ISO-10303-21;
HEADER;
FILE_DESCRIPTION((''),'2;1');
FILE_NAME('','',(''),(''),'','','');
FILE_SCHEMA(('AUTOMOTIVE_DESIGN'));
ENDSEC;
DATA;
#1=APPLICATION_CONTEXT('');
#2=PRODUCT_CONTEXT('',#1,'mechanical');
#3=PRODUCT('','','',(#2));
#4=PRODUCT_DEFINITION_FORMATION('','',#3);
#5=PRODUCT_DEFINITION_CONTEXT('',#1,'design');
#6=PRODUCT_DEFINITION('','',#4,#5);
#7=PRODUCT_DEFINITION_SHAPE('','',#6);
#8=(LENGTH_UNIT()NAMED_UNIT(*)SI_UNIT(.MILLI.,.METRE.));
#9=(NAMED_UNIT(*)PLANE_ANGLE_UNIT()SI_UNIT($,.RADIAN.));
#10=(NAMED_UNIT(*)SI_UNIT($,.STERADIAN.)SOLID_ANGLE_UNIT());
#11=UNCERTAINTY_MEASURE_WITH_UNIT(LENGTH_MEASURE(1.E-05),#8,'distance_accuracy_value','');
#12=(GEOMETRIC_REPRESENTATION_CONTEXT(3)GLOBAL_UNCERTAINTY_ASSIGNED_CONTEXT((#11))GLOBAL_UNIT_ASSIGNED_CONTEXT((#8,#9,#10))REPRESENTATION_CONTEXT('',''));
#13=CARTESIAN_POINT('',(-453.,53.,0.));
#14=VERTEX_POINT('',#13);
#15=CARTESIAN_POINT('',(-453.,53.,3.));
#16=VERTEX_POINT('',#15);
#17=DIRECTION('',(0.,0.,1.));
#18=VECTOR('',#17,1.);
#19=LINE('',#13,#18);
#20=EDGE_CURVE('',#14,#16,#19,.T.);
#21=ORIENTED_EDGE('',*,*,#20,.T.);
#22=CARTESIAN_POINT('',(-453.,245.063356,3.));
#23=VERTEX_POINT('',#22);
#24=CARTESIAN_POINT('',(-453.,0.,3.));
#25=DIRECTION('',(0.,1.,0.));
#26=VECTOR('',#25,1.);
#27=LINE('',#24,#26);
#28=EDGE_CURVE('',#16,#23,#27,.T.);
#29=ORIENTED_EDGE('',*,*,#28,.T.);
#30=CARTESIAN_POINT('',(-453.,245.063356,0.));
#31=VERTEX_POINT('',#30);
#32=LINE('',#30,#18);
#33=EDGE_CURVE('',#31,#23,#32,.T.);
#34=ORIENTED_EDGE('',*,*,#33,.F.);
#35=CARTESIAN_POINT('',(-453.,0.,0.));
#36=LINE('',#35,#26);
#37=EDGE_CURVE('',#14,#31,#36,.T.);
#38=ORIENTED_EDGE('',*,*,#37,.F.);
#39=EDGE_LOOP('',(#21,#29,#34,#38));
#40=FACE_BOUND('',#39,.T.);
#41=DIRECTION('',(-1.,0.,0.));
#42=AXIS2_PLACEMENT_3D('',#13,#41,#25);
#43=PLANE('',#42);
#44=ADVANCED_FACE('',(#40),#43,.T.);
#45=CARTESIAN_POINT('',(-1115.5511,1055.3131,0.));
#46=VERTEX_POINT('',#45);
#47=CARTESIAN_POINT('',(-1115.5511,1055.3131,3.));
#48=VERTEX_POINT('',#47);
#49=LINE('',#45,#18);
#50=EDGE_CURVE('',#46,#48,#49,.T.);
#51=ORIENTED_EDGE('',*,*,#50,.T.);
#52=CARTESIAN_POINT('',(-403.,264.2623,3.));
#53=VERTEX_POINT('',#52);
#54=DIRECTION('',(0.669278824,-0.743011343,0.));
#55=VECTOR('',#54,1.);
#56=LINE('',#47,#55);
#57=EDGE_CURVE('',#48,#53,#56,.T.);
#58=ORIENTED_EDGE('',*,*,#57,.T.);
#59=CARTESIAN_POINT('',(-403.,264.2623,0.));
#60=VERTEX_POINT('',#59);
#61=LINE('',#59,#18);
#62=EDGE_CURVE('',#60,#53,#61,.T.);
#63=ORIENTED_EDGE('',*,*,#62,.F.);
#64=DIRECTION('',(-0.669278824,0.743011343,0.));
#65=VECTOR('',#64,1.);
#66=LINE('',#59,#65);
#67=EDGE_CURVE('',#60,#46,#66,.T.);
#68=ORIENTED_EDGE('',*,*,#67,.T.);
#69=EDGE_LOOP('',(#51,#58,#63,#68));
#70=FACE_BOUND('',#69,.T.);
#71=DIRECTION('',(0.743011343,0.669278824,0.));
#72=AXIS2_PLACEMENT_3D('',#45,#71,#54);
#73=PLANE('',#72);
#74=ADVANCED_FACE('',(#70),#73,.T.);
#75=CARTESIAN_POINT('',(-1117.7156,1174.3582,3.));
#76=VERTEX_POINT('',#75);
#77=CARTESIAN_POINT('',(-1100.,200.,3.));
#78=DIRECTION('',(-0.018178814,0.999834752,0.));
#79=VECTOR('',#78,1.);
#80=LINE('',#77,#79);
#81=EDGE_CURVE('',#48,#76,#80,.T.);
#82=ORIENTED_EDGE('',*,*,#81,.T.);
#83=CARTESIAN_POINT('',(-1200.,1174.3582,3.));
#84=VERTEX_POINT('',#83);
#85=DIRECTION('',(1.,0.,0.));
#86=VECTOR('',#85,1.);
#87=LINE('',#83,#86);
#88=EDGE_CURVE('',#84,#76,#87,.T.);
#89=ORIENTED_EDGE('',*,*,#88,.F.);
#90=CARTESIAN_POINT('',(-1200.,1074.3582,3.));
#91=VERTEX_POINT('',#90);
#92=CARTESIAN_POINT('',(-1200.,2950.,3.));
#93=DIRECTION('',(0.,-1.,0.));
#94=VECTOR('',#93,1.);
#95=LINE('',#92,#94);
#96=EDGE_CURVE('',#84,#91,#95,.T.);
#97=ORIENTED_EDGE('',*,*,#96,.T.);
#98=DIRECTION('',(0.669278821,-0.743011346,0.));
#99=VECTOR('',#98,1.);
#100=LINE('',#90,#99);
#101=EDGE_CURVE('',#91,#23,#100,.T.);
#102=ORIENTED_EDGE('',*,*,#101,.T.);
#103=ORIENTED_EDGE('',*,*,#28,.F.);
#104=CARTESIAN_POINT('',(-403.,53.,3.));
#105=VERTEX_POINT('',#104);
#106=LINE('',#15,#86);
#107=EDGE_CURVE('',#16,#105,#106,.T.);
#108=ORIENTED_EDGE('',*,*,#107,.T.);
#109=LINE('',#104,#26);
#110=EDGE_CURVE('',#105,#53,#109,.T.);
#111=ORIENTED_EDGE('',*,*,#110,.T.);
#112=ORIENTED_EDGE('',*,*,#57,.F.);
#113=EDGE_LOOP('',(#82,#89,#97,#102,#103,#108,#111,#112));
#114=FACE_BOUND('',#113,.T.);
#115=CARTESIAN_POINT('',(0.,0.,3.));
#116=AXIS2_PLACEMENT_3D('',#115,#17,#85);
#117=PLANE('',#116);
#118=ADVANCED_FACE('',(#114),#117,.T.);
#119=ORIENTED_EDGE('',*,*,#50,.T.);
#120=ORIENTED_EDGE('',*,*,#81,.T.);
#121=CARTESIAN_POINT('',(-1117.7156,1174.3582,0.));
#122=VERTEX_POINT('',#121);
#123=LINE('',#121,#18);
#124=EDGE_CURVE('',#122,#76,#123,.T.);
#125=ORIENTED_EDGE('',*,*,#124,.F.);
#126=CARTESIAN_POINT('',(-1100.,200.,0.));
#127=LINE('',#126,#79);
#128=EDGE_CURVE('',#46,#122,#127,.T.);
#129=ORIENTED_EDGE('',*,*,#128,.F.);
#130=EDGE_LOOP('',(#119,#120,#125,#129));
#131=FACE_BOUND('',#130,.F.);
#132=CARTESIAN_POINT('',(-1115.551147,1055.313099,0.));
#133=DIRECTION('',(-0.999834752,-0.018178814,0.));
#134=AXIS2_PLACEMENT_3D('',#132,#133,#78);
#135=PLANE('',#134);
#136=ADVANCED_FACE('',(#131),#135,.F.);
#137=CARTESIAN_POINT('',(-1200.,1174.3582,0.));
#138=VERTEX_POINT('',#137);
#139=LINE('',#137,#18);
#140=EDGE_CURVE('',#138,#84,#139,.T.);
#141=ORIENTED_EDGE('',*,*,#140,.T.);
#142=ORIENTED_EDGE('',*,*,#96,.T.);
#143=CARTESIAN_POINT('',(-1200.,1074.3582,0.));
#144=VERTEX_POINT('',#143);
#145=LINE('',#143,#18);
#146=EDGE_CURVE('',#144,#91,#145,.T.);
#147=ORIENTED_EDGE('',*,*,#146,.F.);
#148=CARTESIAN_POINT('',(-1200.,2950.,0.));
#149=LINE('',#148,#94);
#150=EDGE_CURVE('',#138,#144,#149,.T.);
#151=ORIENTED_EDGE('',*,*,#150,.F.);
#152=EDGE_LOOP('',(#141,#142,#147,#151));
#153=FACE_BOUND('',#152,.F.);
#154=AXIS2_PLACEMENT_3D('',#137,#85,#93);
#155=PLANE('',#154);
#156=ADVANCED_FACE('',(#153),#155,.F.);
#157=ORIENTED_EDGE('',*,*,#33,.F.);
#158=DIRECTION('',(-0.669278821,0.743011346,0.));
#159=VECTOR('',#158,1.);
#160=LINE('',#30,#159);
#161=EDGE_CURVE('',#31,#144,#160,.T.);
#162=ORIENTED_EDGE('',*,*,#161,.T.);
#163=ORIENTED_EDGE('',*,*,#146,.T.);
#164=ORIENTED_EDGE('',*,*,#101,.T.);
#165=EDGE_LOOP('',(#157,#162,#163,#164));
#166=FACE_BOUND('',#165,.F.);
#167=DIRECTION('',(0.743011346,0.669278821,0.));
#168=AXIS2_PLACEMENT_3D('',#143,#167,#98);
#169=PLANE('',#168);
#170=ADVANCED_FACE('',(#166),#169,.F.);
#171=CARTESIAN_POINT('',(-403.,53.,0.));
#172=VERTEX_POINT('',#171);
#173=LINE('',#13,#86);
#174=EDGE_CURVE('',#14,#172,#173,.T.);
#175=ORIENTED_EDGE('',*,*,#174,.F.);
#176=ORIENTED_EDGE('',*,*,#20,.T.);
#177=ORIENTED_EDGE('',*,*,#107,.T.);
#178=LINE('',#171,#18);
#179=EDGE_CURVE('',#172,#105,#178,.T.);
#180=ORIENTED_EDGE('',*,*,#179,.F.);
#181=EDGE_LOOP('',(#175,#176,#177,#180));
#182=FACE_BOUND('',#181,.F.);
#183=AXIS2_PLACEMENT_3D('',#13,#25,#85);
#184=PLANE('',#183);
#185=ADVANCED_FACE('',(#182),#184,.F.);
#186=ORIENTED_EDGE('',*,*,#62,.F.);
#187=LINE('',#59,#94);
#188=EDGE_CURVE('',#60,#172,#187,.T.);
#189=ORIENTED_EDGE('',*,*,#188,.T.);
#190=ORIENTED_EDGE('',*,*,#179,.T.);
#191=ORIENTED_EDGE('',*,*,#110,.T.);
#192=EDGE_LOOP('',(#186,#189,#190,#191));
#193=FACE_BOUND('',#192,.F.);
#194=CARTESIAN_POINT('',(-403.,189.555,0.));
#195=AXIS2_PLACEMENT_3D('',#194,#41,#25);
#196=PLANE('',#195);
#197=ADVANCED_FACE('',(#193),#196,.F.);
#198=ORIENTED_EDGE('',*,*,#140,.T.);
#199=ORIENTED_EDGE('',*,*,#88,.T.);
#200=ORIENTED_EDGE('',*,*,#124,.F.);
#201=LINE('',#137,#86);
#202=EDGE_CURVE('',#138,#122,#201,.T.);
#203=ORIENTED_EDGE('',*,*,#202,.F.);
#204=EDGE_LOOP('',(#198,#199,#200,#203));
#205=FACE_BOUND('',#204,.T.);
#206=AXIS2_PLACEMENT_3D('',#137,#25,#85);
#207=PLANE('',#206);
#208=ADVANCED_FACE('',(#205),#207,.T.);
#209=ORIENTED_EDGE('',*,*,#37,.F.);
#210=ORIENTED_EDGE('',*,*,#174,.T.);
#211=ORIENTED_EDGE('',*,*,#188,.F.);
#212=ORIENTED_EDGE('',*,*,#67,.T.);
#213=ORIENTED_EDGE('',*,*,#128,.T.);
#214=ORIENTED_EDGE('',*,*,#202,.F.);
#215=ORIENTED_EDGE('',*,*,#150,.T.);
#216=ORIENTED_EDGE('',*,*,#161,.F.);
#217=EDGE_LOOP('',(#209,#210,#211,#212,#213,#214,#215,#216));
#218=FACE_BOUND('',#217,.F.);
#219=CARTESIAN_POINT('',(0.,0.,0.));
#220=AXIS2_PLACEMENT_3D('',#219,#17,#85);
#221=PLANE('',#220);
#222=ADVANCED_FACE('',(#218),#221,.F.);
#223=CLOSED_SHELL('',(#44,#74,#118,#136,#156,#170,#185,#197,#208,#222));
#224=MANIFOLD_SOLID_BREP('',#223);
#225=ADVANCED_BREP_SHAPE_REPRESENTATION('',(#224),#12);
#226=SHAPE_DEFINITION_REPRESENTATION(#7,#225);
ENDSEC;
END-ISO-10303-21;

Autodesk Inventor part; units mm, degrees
ref_plane "YZ Plane" through (0, 0, 0) normal (1, 0, 0) x (0, 1, 0)
ref_plane "XZ Plane" through (0, 0, 0) normal (0, 1, 0) x (-1, 0, 0)
ref_plane "XY Plane" through (0, 0, 0) normal (0, 0, 1) x (1, 0, 0)
sketch "Sketch1" plane through (0, 0, 0) normal (0, 0, 1) x (1, 0, 0)
  line L0 (1200, 2950) -> (-1200, 2950)
  line L1 (-1200, 2950) -> (-1200, 0)
  line L2 (-1200, 0) -> (1200, 0)
  line L3 (1200, 0) -> (1200, 2950)
  line L4 (1150, 2950) -> (1150, 0)
  line L5 (-1150, 0) -> (-1150, 2950) construction
  line L6 (0, 2950) -> (0, 50) construction
  line L7 (-1100, 200) -> (-950, 50)
  line L8 (-1200, 100) -> (-1100, 100)
  line L9 (-1100, 100) -> (-1100, 0)
  line L10 (-1100, 200) -> (-1150, 2950)
  arc A0 (-1100.4545, 224.9959) -> (-1082.3223, 182.3223) centre (-1100, 200) ccw
  arc A1 (-1082.3223, 182.3223) -> (-1100.4545, 224.9959) centre (-1100, 200) ccw construction
  line L11 (-1200, 255) -> (-1101, 255) construction
  line L12 (0, 50) -> (-950, 50)
  line L13 (0, 50) -> (0, 0)
  line L14 (1505.3449, -225.894) -> (355.3449, -225.894)
  line L15 (-1200, 245) -> (-1100.8182, 245)
  line L16 (-1200, 2900) -> (-1149.0909, 2900)
  line L17 (-1115.5511, 1055.3131) -> (-403, 264.2623)
  line L18 (-1200, 1174.3582) -> (-1117.7156, 1174.3582)
  line L19 (-403, 0) -> (-403, 264.2623)
  line L20 (-453, 0) -> (-453, 319.7706)
  line L21 (-1200, 1074.3582) -> (-403, 189.555)
  line L22 (-453, 53) -> (-403, 53)
  line L23 (-1200, 245) -> (-101.8902, 245) construction
  point P0 (-453, 245.0633)
  point P1 (-453, 50)
  point P2 (-403, 50)
  dimension "d3" = 2400
  dimension "d4" = 2950
  dimension "d5" = 50
  dimension "d6" = 100
  dimension "d7" = 50
  dimension "d9" = 135
  dimension "d10" = 950
  dimension "d11" = 1150
  dimension "d12" = 136.042
  dimension "d13" = 50
  dimension "d14" = 100
  dimension "d15" = 212.132
  dimension "d17" = 55
  dimension "d20" = 200
  dimension "d50" = 2705
  dimension "d53" = 50
  dimension "d55" = 1895
  dimension "d57" = 100
  dimension "d59" = 403
  dimension "d60" = 50
  dimension "d62" = 50
  dimension "d63" = 3
  dimension "d65" = 264.2623
extrude "Plate1" add sketch "Sketch1" along normal blind 3 contours L10 L21 L1 L18 | L17 L20 L21 L10 | L17 L19 L21 L20 | L22 L20 L21 L19
equation "\"d11\" = d10 + d18"
equation "\"d14\" = d6"
equation "\"d2\" = Thickness"
equation "\"BendReliefWidth\" = Thickness"
equation "\"BendReliefDepth\" = 0.5 * Thickness"
equation "\"CornerReliefSize\" = 4 * Thickness"
equation "\"MinimumRemnant\" = 2 * Thickness"
equation "\"TransitionRadius\" = BendRadius"
equation "\"JacobiRadiusSize\" = BendRadius"
equation "\"GapSize\" = Thickness"
equation "\"d18\" = d19"
equation "\"Thickness\" = 3"
equation "\"BendRadius\" = 5"
equation "\"d19\" = 200"
properties part number "BSH 025 rib board cone" material "09g2s"
